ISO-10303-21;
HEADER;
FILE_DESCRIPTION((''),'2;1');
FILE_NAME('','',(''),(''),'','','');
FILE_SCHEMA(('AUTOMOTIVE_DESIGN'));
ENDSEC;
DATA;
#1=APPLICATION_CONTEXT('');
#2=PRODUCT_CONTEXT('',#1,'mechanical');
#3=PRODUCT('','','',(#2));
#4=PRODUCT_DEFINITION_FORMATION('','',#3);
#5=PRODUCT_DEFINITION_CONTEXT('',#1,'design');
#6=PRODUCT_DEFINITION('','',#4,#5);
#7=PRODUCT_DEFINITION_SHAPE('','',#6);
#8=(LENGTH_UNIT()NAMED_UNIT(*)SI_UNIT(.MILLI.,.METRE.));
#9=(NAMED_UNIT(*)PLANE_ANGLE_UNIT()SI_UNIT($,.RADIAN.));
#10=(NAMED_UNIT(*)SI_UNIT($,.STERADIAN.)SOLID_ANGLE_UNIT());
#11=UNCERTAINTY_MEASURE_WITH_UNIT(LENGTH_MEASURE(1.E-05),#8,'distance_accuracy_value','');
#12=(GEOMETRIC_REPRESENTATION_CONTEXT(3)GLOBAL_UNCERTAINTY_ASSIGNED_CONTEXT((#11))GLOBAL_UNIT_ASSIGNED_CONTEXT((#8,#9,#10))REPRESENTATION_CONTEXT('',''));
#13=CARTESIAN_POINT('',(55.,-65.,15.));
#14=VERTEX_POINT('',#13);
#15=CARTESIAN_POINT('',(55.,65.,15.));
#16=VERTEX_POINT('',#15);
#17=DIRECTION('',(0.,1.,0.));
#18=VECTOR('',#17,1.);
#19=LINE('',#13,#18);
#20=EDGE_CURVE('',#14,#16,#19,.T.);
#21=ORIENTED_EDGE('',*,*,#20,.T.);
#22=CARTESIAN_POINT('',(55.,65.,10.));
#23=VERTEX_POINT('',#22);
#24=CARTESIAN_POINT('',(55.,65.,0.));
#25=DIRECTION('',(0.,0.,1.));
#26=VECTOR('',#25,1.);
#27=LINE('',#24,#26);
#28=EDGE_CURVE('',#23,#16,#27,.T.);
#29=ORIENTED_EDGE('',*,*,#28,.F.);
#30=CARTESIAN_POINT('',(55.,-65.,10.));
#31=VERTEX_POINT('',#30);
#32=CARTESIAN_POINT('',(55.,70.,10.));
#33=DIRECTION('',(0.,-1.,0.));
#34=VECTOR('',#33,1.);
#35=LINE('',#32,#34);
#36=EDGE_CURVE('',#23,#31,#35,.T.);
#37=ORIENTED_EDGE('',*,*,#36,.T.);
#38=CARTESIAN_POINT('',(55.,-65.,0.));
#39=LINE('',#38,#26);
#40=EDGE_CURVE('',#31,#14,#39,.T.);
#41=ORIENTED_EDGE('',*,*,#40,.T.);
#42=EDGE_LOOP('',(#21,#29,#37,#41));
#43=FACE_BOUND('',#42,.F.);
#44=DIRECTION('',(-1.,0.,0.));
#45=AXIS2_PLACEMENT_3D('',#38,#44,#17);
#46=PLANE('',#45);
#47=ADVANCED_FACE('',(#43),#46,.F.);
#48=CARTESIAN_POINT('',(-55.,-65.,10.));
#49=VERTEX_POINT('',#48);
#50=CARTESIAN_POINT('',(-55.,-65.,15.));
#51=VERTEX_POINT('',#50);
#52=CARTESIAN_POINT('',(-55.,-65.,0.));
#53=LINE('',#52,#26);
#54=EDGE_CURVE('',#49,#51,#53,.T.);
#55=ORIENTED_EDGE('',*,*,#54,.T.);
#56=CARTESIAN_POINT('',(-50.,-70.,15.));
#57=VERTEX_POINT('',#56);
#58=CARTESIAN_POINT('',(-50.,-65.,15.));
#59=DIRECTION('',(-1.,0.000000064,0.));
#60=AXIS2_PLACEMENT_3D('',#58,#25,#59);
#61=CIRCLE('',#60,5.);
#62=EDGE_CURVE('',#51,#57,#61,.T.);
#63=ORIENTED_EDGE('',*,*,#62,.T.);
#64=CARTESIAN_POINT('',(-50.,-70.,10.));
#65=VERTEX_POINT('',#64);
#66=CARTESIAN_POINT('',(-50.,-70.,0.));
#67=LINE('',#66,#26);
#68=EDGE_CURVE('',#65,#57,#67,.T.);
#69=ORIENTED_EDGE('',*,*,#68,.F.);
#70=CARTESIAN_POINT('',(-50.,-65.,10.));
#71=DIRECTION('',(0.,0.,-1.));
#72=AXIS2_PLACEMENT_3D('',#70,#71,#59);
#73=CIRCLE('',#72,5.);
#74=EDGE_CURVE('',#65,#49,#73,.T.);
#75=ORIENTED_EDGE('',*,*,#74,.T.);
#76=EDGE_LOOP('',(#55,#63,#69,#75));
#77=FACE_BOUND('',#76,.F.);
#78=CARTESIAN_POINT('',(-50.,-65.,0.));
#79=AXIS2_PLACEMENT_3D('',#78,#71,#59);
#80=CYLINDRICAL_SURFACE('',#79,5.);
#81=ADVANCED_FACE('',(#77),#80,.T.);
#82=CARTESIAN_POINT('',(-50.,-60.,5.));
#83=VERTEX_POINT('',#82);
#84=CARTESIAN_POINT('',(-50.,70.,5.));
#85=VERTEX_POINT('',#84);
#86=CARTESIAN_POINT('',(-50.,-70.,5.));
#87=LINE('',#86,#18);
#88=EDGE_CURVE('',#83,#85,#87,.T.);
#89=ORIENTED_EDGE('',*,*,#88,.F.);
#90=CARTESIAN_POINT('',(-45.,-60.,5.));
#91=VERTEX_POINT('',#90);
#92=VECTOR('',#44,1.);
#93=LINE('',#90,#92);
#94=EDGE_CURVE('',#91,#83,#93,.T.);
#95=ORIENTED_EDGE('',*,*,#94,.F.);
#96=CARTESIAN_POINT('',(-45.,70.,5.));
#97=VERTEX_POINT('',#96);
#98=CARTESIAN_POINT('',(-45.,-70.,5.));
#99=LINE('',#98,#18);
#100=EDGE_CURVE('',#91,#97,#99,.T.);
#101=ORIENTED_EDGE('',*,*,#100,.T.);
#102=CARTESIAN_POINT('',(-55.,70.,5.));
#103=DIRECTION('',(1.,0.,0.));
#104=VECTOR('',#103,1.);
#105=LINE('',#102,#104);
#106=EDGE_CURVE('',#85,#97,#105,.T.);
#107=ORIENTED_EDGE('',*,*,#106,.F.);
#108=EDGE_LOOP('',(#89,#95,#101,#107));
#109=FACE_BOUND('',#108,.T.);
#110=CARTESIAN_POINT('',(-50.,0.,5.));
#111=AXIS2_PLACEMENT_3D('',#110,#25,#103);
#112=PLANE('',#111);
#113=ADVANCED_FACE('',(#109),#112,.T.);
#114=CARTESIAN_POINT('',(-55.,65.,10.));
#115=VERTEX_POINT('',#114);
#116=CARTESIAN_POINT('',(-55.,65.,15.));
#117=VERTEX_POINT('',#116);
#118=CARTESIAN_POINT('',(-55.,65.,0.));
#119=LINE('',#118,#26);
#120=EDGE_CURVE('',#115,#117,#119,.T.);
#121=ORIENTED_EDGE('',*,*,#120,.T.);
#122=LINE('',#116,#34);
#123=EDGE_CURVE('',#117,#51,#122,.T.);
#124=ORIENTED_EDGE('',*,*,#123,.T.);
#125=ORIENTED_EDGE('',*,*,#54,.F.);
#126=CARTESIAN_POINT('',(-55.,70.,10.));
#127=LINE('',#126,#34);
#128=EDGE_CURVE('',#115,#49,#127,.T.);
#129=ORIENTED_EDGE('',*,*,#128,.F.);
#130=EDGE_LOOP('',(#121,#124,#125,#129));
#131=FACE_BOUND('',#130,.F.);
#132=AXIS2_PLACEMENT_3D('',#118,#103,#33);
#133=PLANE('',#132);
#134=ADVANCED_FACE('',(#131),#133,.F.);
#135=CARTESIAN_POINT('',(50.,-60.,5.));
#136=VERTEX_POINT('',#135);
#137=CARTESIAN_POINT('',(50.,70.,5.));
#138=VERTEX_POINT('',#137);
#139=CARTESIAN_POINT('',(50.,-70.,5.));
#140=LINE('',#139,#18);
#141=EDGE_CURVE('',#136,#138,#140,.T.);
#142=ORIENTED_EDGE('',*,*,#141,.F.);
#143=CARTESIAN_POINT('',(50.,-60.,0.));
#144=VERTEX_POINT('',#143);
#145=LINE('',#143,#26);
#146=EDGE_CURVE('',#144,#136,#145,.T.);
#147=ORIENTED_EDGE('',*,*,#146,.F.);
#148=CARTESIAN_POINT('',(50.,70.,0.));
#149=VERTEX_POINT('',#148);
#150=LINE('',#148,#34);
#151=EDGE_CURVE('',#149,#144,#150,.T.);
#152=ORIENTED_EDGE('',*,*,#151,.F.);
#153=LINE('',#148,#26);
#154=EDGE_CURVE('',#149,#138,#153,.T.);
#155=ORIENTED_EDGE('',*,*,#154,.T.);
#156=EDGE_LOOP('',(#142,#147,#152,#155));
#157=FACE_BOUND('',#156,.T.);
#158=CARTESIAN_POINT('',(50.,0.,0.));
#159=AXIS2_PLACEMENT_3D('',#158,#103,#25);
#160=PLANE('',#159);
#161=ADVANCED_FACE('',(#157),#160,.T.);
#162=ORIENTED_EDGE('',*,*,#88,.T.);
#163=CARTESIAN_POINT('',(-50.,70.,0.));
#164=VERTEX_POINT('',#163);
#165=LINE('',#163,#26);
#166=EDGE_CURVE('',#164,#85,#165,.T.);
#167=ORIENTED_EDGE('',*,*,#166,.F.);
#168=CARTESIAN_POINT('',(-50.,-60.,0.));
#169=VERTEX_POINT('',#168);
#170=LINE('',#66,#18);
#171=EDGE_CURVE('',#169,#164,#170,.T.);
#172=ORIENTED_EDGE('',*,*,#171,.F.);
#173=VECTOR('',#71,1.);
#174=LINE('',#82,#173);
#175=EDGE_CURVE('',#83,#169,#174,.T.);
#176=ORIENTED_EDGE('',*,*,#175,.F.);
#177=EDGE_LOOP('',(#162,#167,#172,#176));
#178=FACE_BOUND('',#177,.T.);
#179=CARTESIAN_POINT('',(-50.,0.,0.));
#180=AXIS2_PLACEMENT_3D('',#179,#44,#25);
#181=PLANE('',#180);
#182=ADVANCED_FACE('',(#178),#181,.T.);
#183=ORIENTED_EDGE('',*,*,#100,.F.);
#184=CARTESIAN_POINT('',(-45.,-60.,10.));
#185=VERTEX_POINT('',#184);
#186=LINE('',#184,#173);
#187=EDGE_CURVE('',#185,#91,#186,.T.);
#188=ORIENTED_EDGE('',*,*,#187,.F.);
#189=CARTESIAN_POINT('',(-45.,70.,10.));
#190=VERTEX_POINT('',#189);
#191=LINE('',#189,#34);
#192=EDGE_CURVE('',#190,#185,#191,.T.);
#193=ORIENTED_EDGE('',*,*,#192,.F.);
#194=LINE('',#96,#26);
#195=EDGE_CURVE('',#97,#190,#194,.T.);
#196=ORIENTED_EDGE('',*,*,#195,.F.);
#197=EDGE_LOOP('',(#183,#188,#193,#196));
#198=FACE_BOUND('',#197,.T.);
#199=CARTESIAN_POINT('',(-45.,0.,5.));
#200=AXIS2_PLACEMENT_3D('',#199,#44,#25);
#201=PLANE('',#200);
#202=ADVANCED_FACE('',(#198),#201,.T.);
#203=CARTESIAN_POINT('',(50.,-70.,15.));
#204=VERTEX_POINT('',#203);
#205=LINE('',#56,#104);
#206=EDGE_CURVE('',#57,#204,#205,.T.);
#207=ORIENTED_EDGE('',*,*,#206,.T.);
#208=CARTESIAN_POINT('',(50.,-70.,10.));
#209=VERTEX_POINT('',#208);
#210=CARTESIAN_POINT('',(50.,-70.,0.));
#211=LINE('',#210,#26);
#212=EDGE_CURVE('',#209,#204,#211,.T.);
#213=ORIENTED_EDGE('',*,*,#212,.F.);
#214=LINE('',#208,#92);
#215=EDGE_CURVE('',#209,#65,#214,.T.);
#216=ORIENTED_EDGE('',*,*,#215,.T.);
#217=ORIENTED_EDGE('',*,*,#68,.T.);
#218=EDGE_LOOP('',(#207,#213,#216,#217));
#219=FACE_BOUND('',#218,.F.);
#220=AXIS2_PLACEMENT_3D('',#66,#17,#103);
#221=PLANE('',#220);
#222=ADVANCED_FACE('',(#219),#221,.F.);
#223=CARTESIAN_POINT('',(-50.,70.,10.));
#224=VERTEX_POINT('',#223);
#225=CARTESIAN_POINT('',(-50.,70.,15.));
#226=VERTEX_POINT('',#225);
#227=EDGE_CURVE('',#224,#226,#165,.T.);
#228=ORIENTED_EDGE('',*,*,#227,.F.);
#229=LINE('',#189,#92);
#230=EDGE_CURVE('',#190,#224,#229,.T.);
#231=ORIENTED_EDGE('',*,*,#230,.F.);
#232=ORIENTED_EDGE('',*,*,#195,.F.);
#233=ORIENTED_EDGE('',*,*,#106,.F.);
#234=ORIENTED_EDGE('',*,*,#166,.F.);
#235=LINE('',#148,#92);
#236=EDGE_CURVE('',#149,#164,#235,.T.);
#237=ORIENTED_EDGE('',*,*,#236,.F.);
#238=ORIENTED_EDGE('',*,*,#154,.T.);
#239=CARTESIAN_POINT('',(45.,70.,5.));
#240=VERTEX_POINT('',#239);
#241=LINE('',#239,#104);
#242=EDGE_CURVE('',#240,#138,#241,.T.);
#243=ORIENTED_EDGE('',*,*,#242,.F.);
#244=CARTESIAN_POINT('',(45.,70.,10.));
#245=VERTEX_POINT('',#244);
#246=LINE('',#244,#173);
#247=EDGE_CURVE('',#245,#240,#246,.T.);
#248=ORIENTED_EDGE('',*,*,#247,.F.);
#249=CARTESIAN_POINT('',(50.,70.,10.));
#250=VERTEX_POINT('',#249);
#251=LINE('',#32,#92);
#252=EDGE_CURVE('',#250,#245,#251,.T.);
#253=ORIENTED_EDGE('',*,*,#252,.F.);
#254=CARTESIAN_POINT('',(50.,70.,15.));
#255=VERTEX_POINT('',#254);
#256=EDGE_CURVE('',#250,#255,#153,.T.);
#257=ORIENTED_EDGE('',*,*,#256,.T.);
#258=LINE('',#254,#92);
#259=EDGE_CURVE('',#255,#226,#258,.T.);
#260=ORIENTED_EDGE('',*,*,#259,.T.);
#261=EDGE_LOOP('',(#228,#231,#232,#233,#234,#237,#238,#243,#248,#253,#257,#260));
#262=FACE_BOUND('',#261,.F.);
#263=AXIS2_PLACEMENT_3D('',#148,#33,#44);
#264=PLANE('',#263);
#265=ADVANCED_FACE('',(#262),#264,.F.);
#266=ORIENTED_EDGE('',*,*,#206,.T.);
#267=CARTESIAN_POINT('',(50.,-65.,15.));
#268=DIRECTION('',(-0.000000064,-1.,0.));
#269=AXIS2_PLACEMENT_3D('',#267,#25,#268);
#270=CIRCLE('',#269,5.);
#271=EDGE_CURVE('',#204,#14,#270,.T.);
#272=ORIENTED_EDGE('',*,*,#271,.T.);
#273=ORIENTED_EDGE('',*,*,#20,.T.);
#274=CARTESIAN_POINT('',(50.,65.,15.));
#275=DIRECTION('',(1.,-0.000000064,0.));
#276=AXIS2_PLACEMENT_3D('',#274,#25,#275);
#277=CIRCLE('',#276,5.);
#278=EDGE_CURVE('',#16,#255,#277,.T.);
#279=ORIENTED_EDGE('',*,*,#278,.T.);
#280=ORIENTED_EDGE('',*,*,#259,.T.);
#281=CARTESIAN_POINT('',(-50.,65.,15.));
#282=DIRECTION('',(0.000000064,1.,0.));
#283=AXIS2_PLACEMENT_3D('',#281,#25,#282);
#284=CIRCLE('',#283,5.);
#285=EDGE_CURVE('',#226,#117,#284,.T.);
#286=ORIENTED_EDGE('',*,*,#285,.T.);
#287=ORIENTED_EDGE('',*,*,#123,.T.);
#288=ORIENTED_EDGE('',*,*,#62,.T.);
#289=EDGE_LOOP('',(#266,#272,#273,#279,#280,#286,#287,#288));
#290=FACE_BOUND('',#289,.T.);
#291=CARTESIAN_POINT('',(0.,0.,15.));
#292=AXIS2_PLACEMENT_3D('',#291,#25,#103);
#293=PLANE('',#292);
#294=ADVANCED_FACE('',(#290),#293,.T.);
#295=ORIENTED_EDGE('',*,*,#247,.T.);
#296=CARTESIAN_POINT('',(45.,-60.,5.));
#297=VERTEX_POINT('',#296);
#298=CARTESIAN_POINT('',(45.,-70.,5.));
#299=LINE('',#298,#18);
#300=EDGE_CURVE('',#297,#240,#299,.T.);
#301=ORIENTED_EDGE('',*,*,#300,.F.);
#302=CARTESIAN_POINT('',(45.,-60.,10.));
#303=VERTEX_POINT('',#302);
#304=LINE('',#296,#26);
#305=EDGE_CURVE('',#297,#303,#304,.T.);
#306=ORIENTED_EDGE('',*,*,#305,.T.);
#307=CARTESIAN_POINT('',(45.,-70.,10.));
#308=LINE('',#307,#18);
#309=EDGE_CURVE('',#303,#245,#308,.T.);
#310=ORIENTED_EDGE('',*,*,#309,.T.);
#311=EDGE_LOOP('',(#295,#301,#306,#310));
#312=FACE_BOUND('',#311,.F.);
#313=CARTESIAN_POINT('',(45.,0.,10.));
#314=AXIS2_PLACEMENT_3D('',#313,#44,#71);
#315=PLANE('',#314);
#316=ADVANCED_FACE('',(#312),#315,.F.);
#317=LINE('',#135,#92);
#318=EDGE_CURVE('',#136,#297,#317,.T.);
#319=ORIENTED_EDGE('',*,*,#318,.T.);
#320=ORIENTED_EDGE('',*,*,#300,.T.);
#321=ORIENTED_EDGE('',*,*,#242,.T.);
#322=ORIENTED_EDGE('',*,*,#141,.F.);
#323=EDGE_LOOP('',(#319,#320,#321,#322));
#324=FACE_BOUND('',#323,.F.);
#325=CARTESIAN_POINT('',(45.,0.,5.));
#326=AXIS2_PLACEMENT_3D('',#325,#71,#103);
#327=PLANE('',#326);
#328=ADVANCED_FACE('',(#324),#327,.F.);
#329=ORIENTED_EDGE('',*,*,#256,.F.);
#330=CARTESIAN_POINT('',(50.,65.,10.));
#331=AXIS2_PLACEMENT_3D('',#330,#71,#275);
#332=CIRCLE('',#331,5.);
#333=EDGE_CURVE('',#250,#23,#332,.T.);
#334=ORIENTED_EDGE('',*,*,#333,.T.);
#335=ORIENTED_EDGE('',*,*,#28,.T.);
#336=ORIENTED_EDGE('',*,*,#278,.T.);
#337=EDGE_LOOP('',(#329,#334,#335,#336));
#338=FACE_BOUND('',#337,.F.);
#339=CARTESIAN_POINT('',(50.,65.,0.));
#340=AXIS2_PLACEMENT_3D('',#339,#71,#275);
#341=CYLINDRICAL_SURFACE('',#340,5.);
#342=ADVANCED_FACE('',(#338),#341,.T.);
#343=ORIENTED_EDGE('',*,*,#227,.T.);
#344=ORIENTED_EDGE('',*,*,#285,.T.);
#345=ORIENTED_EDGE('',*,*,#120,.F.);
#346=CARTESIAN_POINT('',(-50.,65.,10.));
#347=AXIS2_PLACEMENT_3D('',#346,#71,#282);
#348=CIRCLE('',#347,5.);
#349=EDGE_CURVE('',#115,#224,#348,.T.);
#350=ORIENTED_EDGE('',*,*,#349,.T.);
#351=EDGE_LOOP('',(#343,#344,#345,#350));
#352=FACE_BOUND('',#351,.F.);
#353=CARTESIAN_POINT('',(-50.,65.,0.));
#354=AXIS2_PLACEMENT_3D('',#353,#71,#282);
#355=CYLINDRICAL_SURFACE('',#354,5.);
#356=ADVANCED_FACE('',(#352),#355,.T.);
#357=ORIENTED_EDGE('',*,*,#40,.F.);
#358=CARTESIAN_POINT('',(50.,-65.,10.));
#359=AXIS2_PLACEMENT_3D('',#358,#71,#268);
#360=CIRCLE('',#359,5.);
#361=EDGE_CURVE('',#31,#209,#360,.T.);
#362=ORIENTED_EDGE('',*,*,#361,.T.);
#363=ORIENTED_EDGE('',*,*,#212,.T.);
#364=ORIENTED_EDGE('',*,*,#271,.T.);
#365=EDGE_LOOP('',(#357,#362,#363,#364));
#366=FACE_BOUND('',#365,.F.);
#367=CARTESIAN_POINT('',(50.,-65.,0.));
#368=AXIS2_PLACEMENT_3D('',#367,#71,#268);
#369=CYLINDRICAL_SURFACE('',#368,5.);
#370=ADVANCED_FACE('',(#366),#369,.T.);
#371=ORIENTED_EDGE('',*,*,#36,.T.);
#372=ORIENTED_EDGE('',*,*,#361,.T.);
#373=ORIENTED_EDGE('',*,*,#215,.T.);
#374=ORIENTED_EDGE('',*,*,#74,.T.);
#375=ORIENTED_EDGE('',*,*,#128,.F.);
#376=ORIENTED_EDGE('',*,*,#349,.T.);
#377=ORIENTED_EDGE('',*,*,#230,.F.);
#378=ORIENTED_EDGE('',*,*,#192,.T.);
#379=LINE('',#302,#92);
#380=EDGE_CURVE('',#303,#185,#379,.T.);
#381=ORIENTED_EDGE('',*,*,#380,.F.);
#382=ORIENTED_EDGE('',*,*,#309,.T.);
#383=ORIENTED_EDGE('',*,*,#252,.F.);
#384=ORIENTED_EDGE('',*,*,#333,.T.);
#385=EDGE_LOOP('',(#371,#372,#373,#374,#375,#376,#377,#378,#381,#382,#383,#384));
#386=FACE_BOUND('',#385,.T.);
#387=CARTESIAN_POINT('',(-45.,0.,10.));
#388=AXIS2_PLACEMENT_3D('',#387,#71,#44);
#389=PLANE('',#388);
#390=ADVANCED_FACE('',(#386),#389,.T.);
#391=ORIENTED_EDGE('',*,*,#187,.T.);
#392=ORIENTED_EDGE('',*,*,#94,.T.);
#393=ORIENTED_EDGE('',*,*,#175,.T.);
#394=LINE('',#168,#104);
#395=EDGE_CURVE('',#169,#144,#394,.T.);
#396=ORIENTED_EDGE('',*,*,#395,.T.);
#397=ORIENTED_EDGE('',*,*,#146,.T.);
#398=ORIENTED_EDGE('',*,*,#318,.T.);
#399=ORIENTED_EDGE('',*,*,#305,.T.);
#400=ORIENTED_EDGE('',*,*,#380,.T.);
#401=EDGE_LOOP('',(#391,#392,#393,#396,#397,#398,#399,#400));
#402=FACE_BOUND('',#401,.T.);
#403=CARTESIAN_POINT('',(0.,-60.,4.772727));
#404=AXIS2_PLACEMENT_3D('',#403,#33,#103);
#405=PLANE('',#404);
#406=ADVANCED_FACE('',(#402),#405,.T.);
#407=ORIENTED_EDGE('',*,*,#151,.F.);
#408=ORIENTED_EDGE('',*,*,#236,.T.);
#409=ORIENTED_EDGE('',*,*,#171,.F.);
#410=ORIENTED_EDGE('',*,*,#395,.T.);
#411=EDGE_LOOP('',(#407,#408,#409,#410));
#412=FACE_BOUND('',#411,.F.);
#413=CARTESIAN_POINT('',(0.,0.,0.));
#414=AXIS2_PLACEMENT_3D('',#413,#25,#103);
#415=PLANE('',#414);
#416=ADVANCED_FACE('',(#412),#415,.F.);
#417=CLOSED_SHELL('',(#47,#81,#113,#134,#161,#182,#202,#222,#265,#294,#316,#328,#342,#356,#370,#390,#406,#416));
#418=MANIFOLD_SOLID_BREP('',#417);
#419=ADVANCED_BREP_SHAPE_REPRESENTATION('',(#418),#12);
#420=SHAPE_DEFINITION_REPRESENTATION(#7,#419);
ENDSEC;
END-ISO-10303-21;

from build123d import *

# Parameters (mm, degrees)
F1_DEPTH = 15
F2_W     = 5
F2_H     = 5
F3_DEPTH = 70
F5_DEPTH = 10


with BuildPart() as f1:
    # F0 (on Top) → F1 (new body)
    with BuildSketch(Plane.XY):
        with BuildLine():
            ThreePointArc((55, 65), (53.535534, 68.535534), (50, 70))
            Line((50, 70), (-50, 70))
            ThreePointArc((-50, 70), (-53.535534, 68.535534), (-55, 65))
            Line((-55, 65), (-55, -65))
            ThreePointArc((-55, -65), (-53.535534, -68.535534), (-50, -70))
            Line((-50, -70), (50, -70))
            ThreePointArc((50, -70), (53.535534, -68.535534), (55, -65))
            Line((55, -65), (55, 65))
        make_face()
    extrude(amount=F1_DEPTH)

    # F2 (on Front) → F3 (cut, symmetric)
    with BuildSketch(Plane.XZ):
        Polygon((-50, 5), (-45, 5), (-45, 10), (-55, 10), (-55, 5), align=None)
        with Locations((-52.5, 2.5)):
            Rectangle(F2_W, F2_H)
        with Locations((52.5, 2.5)):
            Rectangle(F2_W, F2_H)
        Polygon((50, 5), (55, 5), (55, 10), (45, 10), (45, 5), align=None)
    extrude(amount=F3_DEPTH, both=True, mode=Mode.SUBTRACT)

    # F4 (on face) → F5 (cut)
    with BuildSketch(Plane.XZ.offset(70)):
        Polygon((-50, 0), (50, 0), (50, 5), (45, 5), (45, 10), (-45, 10), (-45, 5), (-50, 5), align=None)
    extrude(amount=-F5_DEPTH, mode=Mode.SUBTRACT)


solid = f1.part
